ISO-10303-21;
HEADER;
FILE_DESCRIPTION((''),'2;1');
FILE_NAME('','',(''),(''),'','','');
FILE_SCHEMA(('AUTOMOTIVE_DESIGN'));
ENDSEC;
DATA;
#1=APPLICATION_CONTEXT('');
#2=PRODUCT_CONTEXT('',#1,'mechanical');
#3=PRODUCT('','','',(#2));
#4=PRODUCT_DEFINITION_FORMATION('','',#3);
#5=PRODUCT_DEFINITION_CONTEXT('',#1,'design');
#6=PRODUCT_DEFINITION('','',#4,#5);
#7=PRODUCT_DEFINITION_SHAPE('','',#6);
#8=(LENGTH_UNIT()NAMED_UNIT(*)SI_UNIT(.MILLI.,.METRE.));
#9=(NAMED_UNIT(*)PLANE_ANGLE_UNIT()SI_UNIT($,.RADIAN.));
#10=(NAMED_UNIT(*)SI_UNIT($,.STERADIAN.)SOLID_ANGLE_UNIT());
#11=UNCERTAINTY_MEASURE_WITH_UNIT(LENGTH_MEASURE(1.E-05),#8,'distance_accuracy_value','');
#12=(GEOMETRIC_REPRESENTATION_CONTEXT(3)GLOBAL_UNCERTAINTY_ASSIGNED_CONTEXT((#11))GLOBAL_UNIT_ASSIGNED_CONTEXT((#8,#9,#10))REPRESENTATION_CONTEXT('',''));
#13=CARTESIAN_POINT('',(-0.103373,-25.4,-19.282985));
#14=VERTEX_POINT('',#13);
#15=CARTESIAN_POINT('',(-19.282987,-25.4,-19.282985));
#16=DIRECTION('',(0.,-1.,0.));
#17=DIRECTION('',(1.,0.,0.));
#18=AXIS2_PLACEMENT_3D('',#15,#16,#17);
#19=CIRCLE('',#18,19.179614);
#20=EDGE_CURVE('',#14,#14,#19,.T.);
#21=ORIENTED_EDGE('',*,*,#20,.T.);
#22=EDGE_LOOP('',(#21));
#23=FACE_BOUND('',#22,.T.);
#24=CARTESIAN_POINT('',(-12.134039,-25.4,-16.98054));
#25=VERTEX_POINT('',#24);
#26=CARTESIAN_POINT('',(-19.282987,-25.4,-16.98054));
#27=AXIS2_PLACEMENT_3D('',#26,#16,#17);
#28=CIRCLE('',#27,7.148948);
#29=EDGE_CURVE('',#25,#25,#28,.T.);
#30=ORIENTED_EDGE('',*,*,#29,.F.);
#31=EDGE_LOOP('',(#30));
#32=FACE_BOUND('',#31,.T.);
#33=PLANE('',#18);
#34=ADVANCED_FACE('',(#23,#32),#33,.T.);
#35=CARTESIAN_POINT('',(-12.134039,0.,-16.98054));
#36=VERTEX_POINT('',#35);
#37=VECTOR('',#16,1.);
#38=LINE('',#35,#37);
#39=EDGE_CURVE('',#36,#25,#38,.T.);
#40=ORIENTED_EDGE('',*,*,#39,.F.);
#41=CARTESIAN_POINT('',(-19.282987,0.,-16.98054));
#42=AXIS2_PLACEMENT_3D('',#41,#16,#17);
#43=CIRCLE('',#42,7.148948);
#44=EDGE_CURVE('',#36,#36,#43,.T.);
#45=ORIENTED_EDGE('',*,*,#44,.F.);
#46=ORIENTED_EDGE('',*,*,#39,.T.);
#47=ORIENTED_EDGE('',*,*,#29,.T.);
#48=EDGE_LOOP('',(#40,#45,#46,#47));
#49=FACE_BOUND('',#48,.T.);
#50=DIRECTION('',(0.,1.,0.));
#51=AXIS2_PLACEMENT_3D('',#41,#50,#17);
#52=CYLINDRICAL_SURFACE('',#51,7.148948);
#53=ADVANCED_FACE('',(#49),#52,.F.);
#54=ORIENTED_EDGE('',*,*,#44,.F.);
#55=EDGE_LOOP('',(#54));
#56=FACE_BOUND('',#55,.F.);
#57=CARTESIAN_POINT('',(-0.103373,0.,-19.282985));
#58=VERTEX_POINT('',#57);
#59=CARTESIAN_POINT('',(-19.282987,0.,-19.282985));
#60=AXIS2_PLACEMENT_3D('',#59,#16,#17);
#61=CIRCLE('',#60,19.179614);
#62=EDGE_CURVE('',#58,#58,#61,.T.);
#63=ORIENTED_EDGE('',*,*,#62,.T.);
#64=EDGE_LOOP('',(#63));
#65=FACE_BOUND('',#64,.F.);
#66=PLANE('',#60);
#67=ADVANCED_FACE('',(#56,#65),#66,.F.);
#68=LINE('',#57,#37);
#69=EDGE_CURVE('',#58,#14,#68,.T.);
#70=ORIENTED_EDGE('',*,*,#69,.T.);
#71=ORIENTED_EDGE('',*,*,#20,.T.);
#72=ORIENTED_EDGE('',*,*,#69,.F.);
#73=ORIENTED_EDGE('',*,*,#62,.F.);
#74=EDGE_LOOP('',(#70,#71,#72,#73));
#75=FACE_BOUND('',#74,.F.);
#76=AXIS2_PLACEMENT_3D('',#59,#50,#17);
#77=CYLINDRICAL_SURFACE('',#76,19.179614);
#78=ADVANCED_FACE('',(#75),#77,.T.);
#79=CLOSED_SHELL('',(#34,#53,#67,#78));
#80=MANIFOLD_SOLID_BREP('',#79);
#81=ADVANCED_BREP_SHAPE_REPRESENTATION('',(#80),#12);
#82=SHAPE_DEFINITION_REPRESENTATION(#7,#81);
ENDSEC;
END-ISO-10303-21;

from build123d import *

# Parameters (mm, degrees)
F0_R     = 19.179614
F0_R_2   = 12.389028
F0_R_3   = 7.148948
F1_DEPTH = 25.4


with BuildPart() as f1:
    # F0 (on Front) → F1 (new body)
    with BuildSketch(Plane.XZ):
        with Locations((-19.282987, -19.282985)):
            Circle(F0_R)
        with Locations((-19.282987, -16.98054)):
            Circle(F0_R_2, mode=Mode.SUBTRACT)
        with Locations((-19.282987, -16.98054)):
            Circle(F0_R_2)
        with Locations((-19.282987, -16.98054)):
            Circle(F0_R_3, mode=Mode.SUBTRACT)
    extrude(amount=F1_DEPTH)


solid = f1.part
